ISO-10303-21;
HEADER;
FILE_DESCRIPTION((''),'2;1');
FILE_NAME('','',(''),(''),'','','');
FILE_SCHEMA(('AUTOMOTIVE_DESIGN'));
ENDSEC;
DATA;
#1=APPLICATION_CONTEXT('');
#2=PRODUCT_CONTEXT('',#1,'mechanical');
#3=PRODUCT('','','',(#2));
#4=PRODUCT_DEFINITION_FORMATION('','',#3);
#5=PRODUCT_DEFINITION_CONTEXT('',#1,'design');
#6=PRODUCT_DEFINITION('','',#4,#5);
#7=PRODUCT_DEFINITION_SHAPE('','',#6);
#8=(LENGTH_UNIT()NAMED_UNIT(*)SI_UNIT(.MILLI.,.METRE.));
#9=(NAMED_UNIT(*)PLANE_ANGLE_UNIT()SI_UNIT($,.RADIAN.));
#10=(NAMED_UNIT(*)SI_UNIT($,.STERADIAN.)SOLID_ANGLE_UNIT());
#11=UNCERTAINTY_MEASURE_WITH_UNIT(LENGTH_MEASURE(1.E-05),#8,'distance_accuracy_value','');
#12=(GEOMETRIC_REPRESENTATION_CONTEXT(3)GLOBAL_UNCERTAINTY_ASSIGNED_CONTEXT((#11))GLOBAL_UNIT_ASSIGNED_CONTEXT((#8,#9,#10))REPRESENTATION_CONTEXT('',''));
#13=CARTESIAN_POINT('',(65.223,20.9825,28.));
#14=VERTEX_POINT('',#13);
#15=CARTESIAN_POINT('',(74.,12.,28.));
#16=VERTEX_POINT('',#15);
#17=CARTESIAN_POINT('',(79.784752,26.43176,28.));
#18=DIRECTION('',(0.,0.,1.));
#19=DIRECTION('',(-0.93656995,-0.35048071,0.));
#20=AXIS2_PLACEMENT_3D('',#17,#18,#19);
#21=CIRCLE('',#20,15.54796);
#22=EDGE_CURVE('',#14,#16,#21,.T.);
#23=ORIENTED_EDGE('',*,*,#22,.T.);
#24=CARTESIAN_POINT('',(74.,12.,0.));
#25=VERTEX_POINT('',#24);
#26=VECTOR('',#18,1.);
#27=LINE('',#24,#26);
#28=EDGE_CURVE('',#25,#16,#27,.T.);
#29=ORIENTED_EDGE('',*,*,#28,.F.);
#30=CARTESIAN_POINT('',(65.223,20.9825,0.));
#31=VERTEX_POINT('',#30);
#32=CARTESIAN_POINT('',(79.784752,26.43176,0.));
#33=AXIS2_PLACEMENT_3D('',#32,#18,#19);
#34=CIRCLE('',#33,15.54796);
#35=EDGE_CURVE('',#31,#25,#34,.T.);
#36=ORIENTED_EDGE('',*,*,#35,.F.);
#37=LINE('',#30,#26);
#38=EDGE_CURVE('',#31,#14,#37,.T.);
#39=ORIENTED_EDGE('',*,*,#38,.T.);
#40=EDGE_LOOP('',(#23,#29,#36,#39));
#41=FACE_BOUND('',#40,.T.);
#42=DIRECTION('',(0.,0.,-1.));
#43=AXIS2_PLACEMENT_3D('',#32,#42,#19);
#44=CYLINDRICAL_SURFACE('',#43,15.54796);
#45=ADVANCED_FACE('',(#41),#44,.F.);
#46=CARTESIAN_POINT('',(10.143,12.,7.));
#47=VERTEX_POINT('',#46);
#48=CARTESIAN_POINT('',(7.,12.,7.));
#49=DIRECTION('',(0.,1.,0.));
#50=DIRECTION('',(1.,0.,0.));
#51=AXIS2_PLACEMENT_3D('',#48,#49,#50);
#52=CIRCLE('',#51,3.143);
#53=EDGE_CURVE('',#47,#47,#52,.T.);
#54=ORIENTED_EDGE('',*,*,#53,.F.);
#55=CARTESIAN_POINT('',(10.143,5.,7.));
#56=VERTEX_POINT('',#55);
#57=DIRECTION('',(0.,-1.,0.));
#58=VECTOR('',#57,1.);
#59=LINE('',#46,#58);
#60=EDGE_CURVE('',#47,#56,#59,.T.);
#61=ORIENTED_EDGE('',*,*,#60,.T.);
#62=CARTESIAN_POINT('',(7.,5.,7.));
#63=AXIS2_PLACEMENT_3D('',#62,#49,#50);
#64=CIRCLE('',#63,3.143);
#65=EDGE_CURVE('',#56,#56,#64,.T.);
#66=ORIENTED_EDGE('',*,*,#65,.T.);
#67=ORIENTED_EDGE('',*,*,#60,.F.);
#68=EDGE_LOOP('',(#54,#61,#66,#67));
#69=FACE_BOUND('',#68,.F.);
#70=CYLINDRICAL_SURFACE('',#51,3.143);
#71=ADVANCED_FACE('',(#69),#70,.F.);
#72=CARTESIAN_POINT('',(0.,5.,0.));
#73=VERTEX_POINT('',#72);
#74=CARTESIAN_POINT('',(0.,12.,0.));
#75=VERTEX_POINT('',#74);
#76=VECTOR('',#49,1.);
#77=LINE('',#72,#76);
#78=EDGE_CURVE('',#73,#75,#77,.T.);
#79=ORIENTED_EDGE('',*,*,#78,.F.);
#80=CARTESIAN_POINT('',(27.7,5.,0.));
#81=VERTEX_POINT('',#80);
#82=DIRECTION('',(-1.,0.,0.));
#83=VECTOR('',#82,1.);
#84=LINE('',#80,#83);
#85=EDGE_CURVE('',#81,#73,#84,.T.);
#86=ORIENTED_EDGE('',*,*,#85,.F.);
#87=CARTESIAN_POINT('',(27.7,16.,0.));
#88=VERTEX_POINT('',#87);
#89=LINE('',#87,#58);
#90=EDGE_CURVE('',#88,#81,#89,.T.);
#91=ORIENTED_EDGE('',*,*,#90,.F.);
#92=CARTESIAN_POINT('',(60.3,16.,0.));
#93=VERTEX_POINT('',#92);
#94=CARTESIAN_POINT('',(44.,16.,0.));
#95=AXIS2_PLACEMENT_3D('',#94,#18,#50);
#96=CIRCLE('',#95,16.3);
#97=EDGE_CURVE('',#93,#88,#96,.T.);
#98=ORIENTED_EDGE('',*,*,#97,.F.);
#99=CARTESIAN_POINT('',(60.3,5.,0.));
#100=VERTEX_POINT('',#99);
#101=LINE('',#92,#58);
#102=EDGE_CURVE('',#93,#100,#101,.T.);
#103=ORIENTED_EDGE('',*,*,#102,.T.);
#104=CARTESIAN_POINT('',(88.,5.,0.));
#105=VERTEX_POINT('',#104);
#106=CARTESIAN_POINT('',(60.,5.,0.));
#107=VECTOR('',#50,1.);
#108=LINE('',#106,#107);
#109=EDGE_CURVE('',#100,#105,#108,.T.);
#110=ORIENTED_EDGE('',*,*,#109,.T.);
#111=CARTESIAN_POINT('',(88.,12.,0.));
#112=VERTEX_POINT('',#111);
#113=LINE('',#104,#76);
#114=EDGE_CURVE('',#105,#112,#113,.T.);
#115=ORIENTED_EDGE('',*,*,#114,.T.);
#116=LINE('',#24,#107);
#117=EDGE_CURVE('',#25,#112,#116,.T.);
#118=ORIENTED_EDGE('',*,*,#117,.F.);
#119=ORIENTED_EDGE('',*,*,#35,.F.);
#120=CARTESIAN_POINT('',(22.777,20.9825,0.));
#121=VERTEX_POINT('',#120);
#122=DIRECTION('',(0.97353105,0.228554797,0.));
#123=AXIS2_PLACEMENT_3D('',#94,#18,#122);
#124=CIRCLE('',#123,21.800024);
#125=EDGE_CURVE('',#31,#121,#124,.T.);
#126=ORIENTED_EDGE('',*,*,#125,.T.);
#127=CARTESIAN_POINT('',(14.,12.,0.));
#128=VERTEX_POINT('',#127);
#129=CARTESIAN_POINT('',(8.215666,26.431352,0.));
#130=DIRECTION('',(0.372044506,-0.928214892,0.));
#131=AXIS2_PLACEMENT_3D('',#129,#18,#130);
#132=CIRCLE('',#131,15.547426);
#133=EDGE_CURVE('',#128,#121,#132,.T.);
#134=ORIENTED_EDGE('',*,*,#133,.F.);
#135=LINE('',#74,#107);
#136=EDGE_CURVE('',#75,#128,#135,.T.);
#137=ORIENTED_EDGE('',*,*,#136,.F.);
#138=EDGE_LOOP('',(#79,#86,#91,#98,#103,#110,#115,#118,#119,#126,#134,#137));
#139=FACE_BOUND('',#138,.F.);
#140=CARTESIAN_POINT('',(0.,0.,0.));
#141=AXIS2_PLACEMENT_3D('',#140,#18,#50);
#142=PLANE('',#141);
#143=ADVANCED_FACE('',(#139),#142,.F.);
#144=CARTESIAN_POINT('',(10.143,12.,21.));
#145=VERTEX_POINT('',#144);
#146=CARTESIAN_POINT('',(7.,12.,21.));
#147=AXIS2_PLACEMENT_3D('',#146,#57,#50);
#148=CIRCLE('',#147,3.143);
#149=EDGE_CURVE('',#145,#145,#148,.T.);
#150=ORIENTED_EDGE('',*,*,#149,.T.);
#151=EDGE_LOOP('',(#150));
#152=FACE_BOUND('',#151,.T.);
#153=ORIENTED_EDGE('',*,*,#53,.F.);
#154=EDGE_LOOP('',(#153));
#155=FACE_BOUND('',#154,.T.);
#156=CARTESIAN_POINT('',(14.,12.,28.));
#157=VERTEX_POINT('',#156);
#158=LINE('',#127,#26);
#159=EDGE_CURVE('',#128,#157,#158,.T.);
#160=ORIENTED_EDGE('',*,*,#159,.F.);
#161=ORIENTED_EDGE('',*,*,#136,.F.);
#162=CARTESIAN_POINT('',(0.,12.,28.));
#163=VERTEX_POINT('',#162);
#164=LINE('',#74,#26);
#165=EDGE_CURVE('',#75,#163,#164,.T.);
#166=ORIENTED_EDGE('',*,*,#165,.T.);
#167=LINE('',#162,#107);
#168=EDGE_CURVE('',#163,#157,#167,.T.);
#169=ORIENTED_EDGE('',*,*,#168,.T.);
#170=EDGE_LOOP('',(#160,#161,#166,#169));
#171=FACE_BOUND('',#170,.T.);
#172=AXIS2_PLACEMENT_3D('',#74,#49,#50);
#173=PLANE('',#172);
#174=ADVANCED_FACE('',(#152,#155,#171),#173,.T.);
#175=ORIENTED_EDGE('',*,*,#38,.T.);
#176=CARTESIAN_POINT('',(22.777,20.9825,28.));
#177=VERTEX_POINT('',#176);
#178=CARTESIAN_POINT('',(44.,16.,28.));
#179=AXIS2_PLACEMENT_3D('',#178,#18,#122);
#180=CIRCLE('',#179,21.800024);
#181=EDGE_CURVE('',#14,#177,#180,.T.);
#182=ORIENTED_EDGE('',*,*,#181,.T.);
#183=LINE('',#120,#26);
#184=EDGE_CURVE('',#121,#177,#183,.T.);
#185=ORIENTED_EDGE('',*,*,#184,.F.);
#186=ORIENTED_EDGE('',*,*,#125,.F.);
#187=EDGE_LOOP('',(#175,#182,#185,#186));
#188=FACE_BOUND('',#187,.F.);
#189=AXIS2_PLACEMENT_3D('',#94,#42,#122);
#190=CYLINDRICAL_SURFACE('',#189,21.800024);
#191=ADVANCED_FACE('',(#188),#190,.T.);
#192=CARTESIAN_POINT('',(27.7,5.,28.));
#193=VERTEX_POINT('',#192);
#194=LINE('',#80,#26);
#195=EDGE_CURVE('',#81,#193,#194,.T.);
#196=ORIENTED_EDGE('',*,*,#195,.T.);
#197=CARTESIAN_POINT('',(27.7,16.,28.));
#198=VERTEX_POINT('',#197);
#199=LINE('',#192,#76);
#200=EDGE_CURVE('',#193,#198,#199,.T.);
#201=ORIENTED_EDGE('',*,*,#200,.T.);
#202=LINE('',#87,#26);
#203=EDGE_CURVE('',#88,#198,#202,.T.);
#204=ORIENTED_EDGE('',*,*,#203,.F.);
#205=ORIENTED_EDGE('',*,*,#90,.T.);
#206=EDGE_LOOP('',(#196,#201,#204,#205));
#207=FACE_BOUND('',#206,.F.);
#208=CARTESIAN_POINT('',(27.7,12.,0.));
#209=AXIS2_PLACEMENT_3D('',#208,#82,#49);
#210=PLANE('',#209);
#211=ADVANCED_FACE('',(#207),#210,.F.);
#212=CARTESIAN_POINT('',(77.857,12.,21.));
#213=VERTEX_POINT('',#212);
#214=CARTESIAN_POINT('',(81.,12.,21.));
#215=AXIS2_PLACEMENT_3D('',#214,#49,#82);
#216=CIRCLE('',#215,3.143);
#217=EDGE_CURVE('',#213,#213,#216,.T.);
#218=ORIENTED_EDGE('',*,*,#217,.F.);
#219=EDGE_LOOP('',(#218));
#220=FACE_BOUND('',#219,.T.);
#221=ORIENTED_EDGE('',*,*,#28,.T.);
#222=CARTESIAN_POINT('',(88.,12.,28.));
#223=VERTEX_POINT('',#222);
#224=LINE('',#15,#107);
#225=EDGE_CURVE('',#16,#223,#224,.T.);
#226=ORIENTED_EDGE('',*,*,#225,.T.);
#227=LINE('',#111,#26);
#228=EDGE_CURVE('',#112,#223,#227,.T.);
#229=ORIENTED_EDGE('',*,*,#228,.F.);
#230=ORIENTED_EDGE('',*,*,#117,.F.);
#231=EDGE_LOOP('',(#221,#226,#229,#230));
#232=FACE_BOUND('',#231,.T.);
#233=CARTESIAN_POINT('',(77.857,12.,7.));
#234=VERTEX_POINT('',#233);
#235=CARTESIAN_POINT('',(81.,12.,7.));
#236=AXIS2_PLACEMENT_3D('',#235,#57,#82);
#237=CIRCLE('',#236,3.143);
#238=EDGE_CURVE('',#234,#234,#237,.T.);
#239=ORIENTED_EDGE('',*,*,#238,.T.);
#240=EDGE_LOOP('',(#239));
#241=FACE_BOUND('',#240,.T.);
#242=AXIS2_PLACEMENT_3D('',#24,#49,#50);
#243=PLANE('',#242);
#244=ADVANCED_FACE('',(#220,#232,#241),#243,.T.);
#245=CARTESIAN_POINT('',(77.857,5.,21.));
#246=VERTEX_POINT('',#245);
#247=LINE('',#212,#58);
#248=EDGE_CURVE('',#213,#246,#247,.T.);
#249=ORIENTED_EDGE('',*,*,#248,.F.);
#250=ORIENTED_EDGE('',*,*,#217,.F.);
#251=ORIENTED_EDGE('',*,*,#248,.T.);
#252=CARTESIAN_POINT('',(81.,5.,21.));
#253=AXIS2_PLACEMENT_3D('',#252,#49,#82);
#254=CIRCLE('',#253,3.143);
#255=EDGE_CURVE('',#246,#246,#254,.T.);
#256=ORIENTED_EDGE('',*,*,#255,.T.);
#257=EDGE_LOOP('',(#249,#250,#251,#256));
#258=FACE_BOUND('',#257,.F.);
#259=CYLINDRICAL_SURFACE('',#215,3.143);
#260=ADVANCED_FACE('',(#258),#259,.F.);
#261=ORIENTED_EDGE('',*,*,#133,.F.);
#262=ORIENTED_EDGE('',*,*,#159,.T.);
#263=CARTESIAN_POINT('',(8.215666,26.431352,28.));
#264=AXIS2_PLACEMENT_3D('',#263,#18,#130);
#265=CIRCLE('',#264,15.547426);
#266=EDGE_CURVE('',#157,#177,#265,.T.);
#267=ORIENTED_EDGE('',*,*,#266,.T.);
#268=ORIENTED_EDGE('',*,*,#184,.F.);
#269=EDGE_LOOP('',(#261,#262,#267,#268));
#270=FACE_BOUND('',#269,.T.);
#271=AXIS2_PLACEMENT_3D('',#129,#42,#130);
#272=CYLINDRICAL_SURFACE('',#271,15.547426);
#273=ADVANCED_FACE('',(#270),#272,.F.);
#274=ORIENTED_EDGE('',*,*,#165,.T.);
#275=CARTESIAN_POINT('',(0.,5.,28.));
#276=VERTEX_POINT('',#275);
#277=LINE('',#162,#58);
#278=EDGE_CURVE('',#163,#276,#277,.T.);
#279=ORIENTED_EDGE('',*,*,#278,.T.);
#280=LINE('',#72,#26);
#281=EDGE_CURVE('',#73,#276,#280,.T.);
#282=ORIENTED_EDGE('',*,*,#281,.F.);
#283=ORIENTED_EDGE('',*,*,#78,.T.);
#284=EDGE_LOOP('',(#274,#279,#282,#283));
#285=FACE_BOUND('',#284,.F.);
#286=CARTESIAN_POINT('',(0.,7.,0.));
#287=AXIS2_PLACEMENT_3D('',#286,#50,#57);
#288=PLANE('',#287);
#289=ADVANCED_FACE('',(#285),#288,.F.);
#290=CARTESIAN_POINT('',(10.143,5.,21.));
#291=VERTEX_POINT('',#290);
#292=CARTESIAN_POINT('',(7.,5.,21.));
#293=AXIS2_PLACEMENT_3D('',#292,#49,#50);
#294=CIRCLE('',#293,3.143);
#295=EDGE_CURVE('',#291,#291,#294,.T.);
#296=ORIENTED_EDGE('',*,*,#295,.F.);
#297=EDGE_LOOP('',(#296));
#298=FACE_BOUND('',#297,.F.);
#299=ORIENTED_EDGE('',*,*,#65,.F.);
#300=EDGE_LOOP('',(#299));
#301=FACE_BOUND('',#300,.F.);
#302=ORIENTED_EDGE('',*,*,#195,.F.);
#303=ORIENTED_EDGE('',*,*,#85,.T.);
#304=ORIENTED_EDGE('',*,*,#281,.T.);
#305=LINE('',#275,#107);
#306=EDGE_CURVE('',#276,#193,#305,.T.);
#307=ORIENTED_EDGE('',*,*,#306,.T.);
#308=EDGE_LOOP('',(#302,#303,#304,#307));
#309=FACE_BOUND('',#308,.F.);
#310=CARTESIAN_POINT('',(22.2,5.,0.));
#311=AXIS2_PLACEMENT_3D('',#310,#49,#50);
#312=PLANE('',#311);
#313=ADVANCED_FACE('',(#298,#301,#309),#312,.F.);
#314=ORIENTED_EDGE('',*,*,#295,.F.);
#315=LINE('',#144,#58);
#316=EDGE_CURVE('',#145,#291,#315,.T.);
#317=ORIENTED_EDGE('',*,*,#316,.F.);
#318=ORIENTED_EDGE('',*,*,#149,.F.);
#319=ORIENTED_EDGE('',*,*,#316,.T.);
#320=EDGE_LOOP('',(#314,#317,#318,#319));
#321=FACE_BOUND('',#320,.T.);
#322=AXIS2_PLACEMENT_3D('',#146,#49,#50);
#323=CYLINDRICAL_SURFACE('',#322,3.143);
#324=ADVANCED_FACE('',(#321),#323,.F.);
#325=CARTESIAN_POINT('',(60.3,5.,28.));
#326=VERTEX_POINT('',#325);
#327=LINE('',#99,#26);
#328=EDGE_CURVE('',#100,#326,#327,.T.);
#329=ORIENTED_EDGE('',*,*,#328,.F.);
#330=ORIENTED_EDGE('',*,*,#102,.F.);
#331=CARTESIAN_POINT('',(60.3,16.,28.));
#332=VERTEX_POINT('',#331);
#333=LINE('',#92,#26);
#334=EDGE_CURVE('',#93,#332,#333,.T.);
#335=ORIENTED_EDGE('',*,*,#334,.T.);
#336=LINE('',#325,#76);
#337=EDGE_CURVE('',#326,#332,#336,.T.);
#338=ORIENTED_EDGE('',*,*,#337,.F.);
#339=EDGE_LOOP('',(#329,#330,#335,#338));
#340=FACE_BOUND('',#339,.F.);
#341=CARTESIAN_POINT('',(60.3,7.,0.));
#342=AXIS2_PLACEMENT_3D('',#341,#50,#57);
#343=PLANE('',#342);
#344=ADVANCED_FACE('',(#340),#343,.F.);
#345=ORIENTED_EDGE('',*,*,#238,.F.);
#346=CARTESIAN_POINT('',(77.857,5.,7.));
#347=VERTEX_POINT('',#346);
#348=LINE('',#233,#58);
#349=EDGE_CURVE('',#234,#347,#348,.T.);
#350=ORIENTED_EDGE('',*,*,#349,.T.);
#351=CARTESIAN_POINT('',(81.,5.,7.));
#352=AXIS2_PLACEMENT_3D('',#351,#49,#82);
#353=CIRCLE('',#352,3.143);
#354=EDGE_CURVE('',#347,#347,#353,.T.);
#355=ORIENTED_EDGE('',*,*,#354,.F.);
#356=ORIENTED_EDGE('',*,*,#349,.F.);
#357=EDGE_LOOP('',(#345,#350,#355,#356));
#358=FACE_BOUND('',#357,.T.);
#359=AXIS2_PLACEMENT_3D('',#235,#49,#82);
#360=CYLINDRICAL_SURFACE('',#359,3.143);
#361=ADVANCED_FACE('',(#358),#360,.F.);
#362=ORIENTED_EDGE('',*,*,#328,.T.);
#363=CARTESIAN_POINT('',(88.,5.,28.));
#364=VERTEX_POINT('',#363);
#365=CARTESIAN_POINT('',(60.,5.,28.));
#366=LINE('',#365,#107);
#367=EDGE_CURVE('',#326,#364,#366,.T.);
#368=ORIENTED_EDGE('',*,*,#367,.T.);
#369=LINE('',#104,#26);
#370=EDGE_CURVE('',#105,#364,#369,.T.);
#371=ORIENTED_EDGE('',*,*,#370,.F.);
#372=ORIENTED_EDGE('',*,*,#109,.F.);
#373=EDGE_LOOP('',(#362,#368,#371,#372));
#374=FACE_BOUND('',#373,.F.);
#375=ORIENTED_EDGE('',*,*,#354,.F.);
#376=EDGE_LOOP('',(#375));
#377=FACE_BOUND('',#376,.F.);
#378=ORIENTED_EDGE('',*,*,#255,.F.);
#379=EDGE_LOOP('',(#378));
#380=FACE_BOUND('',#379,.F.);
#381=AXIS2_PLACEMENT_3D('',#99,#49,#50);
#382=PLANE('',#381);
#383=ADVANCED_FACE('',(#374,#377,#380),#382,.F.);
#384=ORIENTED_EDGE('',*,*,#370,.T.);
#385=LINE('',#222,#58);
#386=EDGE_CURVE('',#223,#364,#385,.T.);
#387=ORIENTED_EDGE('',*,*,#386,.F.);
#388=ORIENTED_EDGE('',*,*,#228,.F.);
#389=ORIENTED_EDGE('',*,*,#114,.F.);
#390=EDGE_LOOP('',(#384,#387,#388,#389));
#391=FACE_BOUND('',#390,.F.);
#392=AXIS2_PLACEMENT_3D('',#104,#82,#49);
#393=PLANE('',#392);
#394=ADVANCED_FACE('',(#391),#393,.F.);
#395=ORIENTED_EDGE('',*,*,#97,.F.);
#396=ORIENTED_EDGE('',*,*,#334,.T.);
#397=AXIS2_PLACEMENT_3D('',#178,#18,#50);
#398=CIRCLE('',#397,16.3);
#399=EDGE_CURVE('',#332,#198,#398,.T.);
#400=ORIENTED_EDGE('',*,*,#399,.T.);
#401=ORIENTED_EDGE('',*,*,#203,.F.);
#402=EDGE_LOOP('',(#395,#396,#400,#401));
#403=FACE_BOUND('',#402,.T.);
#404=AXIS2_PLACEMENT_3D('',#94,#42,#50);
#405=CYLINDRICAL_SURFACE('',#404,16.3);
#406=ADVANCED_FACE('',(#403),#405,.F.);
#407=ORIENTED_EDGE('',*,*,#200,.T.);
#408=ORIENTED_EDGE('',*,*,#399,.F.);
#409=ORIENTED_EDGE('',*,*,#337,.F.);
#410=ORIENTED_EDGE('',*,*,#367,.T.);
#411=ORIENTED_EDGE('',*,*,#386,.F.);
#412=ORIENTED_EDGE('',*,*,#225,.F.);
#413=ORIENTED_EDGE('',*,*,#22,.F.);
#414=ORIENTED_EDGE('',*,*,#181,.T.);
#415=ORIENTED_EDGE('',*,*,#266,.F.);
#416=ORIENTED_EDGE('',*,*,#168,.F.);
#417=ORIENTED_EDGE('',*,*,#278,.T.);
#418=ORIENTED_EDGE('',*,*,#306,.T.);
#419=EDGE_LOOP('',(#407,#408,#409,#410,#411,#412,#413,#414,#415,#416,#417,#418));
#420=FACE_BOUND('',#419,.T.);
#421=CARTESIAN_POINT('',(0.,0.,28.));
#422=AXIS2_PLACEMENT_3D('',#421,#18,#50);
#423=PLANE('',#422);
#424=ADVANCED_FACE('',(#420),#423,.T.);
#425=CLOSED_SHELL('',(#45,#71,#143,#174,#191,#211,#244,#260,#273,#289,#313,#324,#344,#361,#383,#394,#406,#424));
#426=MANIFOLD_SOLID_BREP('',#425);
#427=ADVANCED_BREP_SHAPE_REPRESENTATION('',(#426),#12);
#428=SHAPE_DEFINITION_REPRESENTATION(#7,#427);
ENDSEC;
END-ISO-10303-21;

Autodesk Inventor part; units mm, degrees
ref_plane "YZ Plane" through (0, 0, 0) normal (1, 0, 0) x (0, 1, 0)
ref_plane "XZ Plane" through (0, 0, 0) normal (0, 1, 0) x (-1, 0, 0)
ref_plane "XY Plane" through (0, 0, 0) normal (0, 0, 1) x (1, 0, 0)
sketch "Sketch1" plane through (0, 0, 0) normal (0, 0, 1) x (1, 0, 0)
  line L0 (88, 5) -> (88, 7)
  line L1 (0, 7) -> (0, 5)
  line L2 (0, 0) -> (0, 32) construction
  line L3 (0, 32) -> (28, 32) construction
  line L4 (28, 32) -> (60, 32) construction
  line L5 (60, 32) -> (88, 32) construction
  line L6 (88, 32) -> (88, 0) construction
  line L7 (60, 63.7192) -> (60, -36.6397) construction
  line L8 (28, 67.21) -> (28, -43.6212) construction
  line L9 (44, 32) -> (44, 16) construction
  line L10 (27.7, 5) -> (27.7, 16)
  arc A0 (60.3, 16) -> (27.7, 16) centre (44, 16) ccw
  line L11 (60.3, 16) -> (60.3, 5)
  arc A1 (65.223, 20.9825) -> (22.777, 20.9825) centre (44, 16) ccw
  line L12 (22.2, 7) -> (13.2, 7)
  line L13 (22.2, 0) -> (22.2, 5)
  line L14 (22.2, 5) -> (0, 5)
  line L15 (0, 5) -> (0, 12)
  line L16 (88, 12) -> (88, 5)
  line L17 (22.2, 7) -> (13.2, 7)
  arc A2 (14, 12) -> (22.777, 20.9825) centre (8.2155, 26.4316) ccw
  arc A3 (65.223, 20.9825) -> (74, 12) centre (79.7845, 26.4316) ccw
  line L18 (60.3, 7) -> (60, 7)
  line L19 (28, 7) -> (27.7, 7)
  line L20 (22.2, 5) -> (28, 5)
  line L21 (60, 5) -> (88, 5)
  line L22 (27.7, 0) -> (28, 0)
  line L23 (60, 0) -> (60.3, 0)
  line L24 (0, 12) -> (14, 12)
  line L25 (27.7, 12) -> (28, 12)
  line L26 (22.2, 0) -> (22.2, 7)
  line L27 (60, 12) -> (60.3, 12)
  line L28 (74, 12) -> (88, 12)
  dimension "d0" = 88
  dimension "d1" = 7
  dimension "d2" = 32
  dimension "d3" = 28
  dimension "d4" = 32
  dimension "d5" = 28
  dimension "d6" = 16
  dimension "d8" = 5.5
  dimension "d9" = 9
  dimension "d10" = 5
  dimension "d11" = 7
  dimension "d12" = 9
extrude "Extrusion1" add sketch "Sketch1" along normal blind 28
sketch "Sketch2" plane through (0, 12, 0) normal (0, 1, 0) x (1, 0, 0)
  line L0 (14, 0) -> (0, 0) projected
  line L1 (14, 0) -> (14, -28) projected
  line L2 (0, 0) -> (14, -28) construction
  line L3 (14, 0) -> (0, -28) construction
  line L4 (7, 0) -> (7, -7) construction
  circle A0 centre (7, -7) radius 2.743
  dimension "d15" = 7
  dimension "d16" = 5.486
extrude "Extrusion2" cut sketch "Sketch2" against normal blind 28
ref_plane "Work Plane1" through (0, 0, 14) normal (0, 0, 1) x (1, 0, 0)
ref_plane "Work Plane2" through (44, 5, 0) normal (-1, 0, 0) x (0, 0, 1)
mirror "Mirror1" about plane through (0, 0, 14) normal (0, 0, 1) of "Extrusion2"
mirror "Mirror2" about plane through (44, 5, 0) normal (-1, 0, 0) of "Extrusion2", "Mirror1"
sketch "Sketch3" plane through (0, 12, 0) normal (0, 1, 0) x (1, 0, 0)
  circle A0 centre (7, -21) radius 2.743 projected
  circle A1 centre (7, -7) radius 2.743 projected
  line L0 (14, 0) -> (0, 0) projected
  line L1 (0, 0) -> (0, -28) projected
  line L2 (14, -28) -> (0, -28) projected
  line L3 (14, 0) -> (14, -28) projected
  circle A2 centre (7, -7) radius 3.143
  circle A3 centre (7, -7) radius 2.743
  dimension "d19" = 0.4
extrude "Extrusion3" cut sketch "Sketch3" against normal blind 10 contours A2
mirror "Mirror3" about plane through (0, 0, 14) normal (0, 0, 1) of "Extrusion3"
mirror "Mirror4" about plane through (44, 5, 0) normal (-1, 0, 0) of "Extrusion3", "Mirror3"
properties part number "Motor Mount"
